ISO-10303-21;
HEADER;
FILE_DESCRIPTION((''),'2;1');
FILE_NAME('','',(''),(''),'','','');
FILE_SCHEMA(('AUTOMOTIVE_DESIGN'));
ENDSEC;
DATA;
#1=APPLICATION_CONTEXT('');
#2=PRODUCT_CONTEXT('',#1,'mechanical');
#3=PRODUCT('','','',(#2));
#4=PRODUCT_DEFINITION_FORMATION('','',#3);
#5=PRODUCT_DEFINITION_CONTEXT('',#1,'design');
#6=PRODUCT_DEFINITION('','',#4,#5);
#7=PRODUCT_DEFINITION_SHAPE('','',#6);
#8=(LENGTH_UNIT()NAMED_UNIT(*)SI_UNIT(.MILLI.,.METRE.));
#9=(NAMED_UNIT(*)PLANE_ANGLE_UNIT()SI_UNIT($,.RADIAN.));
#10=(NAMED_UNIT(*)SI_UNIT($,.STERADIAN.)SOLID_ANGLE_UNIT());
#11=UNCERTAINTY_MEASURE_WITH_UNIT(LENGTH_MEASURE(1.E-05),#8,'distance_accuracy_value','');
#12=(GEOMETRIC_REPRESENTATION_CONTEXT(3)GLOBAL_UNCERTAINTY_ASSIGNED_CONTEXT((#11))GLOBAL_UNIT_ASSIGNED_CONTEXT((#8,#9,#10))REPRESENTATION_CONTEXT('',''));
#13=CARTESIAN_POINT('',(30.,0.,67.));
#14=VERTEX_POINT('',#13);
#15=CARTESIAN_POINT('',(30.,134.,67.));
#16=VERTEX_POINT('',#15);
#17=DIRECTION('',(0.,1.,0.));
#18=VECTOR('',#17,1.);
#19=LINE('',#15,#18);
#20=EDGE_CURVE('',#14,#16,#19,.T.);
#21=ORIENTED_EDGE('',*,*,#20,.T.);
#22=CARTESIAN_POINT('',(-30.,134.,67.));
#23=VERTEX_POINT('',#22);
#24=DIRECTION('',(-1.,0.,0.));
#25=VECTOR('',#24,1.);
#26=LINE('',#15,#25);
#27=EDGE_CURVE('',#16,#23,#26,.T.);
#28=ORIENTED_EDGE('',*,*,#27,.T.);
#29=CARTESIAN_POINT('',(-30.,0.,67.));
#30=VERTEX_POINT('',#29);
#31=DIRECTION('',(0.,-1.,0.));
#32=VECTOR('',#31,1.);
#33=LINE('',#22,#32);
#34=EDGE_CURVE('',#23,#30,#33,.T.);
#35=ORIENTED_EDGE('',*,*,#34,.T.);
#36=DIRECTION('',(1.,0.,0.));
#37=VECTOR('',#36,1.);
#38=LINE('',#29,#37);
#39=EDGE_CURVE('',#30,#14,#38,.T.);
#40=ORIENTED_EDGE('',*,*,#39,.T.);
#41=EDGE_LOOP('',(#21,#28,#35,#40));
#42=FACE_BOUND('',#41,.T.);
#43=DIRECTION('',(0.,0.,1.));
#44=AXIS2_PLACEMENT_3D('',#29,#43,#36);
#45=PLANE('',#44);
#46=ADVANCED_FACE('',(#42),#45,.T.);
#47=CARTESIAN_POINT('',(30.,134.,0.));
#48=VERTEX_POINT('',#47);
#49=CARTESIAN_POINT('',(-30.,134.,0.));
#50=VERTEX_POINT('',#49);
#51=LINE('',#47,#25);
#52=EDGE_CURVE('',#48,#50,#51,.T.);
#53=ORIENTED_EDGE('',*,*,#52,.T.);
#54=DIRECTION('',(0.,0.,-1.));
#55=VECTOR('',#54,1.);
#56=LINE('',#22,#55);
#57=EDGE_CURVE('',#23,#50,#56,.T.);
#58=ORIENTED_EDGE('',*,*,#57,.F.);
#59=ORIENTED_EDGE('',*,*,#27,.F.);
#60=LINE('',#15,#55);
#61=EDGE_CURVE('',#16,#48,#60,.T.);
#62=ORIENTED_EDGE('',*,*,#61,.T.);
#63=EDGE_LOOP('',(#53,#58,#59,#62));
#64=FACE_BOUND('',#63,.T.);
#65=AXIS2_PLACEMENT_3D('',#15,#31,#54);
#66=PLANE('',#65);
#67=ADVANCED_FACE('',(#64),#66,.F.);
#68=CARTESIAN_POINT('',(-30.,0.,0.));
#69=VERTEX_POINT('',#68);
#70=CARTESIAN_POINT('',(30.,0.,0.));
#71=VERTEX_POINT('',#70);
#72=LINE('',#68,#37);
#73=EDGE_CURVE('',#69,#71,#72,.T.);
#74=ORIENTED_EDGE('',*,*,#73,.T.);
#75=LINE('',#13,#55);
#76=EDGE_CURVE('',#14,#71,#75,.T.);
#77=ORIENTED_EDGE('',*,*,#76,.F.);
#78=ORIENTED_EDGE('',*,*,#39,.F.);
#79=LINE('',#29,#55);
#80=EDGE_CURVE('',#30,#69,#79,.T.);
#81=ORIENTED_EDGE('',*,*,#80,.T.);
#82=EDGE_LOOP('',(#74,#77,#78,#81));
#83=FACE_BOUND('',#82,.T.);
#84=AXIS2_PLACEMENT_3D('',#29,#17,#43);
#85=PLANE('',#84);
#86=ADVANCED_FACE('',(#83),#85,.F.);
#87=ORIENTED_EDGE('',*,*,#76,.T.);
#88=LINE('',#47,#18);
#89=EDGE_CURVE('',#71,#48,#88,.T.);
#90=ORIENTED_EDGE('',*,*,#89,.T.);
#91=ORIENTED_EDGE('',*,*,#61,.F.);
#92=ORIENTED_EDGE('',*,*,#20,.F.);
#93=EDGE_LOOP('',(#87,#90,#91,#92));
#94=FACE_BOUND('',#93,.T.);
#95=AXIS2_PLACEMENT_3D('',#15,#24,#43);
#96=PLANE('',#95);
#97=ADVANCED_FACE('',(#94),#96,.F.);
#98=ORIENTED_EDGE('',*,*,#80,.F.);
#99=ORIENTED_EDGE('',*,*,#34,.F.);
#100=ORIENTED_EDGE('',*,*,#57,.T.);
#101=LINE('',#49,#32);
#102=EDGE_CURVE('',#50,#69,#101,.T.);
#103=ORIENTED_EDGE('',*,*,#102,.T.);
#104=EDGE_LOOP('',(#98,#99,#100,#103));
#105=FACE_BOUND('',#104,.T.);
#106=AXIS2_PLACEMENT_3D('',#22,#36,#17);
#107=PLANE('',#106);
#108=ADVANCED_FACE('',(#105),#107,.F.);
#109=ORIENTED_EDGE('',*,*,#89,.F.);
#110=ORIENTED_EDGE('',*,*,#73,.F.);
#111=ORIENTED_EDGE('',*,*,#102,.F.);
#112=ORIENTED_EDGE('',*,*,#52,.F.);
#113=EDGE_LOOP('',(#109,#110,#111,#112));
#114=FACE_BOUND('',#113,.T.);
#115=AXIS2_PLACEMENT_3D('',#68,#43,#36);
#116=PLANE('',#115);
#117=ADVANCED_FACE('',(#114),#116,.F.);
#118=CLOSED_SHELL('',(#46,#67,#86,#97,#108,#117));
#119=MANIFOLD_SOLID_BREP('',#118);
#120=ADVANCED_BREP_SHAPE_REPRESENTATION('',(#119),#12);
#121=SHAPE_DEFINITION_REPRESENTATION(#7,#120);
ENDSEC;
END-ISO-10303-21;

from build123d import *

# Parameters (mm, degrees)
SKETCH1_W      = 60
SKETCH1_H      = 134
EXTRUDE1_DEPTH = 67


with BuildPart() as part:
    # Sketch1 → Extrude1 (new body)
    with BuildSketch(Plane.XY):
        with Locations((0, 67)):
            Rectangle(SKETCH1_W, SKETCH1_H)
    extrude(amount=EXTRUDE1_DEPTH)


solid = part.part
